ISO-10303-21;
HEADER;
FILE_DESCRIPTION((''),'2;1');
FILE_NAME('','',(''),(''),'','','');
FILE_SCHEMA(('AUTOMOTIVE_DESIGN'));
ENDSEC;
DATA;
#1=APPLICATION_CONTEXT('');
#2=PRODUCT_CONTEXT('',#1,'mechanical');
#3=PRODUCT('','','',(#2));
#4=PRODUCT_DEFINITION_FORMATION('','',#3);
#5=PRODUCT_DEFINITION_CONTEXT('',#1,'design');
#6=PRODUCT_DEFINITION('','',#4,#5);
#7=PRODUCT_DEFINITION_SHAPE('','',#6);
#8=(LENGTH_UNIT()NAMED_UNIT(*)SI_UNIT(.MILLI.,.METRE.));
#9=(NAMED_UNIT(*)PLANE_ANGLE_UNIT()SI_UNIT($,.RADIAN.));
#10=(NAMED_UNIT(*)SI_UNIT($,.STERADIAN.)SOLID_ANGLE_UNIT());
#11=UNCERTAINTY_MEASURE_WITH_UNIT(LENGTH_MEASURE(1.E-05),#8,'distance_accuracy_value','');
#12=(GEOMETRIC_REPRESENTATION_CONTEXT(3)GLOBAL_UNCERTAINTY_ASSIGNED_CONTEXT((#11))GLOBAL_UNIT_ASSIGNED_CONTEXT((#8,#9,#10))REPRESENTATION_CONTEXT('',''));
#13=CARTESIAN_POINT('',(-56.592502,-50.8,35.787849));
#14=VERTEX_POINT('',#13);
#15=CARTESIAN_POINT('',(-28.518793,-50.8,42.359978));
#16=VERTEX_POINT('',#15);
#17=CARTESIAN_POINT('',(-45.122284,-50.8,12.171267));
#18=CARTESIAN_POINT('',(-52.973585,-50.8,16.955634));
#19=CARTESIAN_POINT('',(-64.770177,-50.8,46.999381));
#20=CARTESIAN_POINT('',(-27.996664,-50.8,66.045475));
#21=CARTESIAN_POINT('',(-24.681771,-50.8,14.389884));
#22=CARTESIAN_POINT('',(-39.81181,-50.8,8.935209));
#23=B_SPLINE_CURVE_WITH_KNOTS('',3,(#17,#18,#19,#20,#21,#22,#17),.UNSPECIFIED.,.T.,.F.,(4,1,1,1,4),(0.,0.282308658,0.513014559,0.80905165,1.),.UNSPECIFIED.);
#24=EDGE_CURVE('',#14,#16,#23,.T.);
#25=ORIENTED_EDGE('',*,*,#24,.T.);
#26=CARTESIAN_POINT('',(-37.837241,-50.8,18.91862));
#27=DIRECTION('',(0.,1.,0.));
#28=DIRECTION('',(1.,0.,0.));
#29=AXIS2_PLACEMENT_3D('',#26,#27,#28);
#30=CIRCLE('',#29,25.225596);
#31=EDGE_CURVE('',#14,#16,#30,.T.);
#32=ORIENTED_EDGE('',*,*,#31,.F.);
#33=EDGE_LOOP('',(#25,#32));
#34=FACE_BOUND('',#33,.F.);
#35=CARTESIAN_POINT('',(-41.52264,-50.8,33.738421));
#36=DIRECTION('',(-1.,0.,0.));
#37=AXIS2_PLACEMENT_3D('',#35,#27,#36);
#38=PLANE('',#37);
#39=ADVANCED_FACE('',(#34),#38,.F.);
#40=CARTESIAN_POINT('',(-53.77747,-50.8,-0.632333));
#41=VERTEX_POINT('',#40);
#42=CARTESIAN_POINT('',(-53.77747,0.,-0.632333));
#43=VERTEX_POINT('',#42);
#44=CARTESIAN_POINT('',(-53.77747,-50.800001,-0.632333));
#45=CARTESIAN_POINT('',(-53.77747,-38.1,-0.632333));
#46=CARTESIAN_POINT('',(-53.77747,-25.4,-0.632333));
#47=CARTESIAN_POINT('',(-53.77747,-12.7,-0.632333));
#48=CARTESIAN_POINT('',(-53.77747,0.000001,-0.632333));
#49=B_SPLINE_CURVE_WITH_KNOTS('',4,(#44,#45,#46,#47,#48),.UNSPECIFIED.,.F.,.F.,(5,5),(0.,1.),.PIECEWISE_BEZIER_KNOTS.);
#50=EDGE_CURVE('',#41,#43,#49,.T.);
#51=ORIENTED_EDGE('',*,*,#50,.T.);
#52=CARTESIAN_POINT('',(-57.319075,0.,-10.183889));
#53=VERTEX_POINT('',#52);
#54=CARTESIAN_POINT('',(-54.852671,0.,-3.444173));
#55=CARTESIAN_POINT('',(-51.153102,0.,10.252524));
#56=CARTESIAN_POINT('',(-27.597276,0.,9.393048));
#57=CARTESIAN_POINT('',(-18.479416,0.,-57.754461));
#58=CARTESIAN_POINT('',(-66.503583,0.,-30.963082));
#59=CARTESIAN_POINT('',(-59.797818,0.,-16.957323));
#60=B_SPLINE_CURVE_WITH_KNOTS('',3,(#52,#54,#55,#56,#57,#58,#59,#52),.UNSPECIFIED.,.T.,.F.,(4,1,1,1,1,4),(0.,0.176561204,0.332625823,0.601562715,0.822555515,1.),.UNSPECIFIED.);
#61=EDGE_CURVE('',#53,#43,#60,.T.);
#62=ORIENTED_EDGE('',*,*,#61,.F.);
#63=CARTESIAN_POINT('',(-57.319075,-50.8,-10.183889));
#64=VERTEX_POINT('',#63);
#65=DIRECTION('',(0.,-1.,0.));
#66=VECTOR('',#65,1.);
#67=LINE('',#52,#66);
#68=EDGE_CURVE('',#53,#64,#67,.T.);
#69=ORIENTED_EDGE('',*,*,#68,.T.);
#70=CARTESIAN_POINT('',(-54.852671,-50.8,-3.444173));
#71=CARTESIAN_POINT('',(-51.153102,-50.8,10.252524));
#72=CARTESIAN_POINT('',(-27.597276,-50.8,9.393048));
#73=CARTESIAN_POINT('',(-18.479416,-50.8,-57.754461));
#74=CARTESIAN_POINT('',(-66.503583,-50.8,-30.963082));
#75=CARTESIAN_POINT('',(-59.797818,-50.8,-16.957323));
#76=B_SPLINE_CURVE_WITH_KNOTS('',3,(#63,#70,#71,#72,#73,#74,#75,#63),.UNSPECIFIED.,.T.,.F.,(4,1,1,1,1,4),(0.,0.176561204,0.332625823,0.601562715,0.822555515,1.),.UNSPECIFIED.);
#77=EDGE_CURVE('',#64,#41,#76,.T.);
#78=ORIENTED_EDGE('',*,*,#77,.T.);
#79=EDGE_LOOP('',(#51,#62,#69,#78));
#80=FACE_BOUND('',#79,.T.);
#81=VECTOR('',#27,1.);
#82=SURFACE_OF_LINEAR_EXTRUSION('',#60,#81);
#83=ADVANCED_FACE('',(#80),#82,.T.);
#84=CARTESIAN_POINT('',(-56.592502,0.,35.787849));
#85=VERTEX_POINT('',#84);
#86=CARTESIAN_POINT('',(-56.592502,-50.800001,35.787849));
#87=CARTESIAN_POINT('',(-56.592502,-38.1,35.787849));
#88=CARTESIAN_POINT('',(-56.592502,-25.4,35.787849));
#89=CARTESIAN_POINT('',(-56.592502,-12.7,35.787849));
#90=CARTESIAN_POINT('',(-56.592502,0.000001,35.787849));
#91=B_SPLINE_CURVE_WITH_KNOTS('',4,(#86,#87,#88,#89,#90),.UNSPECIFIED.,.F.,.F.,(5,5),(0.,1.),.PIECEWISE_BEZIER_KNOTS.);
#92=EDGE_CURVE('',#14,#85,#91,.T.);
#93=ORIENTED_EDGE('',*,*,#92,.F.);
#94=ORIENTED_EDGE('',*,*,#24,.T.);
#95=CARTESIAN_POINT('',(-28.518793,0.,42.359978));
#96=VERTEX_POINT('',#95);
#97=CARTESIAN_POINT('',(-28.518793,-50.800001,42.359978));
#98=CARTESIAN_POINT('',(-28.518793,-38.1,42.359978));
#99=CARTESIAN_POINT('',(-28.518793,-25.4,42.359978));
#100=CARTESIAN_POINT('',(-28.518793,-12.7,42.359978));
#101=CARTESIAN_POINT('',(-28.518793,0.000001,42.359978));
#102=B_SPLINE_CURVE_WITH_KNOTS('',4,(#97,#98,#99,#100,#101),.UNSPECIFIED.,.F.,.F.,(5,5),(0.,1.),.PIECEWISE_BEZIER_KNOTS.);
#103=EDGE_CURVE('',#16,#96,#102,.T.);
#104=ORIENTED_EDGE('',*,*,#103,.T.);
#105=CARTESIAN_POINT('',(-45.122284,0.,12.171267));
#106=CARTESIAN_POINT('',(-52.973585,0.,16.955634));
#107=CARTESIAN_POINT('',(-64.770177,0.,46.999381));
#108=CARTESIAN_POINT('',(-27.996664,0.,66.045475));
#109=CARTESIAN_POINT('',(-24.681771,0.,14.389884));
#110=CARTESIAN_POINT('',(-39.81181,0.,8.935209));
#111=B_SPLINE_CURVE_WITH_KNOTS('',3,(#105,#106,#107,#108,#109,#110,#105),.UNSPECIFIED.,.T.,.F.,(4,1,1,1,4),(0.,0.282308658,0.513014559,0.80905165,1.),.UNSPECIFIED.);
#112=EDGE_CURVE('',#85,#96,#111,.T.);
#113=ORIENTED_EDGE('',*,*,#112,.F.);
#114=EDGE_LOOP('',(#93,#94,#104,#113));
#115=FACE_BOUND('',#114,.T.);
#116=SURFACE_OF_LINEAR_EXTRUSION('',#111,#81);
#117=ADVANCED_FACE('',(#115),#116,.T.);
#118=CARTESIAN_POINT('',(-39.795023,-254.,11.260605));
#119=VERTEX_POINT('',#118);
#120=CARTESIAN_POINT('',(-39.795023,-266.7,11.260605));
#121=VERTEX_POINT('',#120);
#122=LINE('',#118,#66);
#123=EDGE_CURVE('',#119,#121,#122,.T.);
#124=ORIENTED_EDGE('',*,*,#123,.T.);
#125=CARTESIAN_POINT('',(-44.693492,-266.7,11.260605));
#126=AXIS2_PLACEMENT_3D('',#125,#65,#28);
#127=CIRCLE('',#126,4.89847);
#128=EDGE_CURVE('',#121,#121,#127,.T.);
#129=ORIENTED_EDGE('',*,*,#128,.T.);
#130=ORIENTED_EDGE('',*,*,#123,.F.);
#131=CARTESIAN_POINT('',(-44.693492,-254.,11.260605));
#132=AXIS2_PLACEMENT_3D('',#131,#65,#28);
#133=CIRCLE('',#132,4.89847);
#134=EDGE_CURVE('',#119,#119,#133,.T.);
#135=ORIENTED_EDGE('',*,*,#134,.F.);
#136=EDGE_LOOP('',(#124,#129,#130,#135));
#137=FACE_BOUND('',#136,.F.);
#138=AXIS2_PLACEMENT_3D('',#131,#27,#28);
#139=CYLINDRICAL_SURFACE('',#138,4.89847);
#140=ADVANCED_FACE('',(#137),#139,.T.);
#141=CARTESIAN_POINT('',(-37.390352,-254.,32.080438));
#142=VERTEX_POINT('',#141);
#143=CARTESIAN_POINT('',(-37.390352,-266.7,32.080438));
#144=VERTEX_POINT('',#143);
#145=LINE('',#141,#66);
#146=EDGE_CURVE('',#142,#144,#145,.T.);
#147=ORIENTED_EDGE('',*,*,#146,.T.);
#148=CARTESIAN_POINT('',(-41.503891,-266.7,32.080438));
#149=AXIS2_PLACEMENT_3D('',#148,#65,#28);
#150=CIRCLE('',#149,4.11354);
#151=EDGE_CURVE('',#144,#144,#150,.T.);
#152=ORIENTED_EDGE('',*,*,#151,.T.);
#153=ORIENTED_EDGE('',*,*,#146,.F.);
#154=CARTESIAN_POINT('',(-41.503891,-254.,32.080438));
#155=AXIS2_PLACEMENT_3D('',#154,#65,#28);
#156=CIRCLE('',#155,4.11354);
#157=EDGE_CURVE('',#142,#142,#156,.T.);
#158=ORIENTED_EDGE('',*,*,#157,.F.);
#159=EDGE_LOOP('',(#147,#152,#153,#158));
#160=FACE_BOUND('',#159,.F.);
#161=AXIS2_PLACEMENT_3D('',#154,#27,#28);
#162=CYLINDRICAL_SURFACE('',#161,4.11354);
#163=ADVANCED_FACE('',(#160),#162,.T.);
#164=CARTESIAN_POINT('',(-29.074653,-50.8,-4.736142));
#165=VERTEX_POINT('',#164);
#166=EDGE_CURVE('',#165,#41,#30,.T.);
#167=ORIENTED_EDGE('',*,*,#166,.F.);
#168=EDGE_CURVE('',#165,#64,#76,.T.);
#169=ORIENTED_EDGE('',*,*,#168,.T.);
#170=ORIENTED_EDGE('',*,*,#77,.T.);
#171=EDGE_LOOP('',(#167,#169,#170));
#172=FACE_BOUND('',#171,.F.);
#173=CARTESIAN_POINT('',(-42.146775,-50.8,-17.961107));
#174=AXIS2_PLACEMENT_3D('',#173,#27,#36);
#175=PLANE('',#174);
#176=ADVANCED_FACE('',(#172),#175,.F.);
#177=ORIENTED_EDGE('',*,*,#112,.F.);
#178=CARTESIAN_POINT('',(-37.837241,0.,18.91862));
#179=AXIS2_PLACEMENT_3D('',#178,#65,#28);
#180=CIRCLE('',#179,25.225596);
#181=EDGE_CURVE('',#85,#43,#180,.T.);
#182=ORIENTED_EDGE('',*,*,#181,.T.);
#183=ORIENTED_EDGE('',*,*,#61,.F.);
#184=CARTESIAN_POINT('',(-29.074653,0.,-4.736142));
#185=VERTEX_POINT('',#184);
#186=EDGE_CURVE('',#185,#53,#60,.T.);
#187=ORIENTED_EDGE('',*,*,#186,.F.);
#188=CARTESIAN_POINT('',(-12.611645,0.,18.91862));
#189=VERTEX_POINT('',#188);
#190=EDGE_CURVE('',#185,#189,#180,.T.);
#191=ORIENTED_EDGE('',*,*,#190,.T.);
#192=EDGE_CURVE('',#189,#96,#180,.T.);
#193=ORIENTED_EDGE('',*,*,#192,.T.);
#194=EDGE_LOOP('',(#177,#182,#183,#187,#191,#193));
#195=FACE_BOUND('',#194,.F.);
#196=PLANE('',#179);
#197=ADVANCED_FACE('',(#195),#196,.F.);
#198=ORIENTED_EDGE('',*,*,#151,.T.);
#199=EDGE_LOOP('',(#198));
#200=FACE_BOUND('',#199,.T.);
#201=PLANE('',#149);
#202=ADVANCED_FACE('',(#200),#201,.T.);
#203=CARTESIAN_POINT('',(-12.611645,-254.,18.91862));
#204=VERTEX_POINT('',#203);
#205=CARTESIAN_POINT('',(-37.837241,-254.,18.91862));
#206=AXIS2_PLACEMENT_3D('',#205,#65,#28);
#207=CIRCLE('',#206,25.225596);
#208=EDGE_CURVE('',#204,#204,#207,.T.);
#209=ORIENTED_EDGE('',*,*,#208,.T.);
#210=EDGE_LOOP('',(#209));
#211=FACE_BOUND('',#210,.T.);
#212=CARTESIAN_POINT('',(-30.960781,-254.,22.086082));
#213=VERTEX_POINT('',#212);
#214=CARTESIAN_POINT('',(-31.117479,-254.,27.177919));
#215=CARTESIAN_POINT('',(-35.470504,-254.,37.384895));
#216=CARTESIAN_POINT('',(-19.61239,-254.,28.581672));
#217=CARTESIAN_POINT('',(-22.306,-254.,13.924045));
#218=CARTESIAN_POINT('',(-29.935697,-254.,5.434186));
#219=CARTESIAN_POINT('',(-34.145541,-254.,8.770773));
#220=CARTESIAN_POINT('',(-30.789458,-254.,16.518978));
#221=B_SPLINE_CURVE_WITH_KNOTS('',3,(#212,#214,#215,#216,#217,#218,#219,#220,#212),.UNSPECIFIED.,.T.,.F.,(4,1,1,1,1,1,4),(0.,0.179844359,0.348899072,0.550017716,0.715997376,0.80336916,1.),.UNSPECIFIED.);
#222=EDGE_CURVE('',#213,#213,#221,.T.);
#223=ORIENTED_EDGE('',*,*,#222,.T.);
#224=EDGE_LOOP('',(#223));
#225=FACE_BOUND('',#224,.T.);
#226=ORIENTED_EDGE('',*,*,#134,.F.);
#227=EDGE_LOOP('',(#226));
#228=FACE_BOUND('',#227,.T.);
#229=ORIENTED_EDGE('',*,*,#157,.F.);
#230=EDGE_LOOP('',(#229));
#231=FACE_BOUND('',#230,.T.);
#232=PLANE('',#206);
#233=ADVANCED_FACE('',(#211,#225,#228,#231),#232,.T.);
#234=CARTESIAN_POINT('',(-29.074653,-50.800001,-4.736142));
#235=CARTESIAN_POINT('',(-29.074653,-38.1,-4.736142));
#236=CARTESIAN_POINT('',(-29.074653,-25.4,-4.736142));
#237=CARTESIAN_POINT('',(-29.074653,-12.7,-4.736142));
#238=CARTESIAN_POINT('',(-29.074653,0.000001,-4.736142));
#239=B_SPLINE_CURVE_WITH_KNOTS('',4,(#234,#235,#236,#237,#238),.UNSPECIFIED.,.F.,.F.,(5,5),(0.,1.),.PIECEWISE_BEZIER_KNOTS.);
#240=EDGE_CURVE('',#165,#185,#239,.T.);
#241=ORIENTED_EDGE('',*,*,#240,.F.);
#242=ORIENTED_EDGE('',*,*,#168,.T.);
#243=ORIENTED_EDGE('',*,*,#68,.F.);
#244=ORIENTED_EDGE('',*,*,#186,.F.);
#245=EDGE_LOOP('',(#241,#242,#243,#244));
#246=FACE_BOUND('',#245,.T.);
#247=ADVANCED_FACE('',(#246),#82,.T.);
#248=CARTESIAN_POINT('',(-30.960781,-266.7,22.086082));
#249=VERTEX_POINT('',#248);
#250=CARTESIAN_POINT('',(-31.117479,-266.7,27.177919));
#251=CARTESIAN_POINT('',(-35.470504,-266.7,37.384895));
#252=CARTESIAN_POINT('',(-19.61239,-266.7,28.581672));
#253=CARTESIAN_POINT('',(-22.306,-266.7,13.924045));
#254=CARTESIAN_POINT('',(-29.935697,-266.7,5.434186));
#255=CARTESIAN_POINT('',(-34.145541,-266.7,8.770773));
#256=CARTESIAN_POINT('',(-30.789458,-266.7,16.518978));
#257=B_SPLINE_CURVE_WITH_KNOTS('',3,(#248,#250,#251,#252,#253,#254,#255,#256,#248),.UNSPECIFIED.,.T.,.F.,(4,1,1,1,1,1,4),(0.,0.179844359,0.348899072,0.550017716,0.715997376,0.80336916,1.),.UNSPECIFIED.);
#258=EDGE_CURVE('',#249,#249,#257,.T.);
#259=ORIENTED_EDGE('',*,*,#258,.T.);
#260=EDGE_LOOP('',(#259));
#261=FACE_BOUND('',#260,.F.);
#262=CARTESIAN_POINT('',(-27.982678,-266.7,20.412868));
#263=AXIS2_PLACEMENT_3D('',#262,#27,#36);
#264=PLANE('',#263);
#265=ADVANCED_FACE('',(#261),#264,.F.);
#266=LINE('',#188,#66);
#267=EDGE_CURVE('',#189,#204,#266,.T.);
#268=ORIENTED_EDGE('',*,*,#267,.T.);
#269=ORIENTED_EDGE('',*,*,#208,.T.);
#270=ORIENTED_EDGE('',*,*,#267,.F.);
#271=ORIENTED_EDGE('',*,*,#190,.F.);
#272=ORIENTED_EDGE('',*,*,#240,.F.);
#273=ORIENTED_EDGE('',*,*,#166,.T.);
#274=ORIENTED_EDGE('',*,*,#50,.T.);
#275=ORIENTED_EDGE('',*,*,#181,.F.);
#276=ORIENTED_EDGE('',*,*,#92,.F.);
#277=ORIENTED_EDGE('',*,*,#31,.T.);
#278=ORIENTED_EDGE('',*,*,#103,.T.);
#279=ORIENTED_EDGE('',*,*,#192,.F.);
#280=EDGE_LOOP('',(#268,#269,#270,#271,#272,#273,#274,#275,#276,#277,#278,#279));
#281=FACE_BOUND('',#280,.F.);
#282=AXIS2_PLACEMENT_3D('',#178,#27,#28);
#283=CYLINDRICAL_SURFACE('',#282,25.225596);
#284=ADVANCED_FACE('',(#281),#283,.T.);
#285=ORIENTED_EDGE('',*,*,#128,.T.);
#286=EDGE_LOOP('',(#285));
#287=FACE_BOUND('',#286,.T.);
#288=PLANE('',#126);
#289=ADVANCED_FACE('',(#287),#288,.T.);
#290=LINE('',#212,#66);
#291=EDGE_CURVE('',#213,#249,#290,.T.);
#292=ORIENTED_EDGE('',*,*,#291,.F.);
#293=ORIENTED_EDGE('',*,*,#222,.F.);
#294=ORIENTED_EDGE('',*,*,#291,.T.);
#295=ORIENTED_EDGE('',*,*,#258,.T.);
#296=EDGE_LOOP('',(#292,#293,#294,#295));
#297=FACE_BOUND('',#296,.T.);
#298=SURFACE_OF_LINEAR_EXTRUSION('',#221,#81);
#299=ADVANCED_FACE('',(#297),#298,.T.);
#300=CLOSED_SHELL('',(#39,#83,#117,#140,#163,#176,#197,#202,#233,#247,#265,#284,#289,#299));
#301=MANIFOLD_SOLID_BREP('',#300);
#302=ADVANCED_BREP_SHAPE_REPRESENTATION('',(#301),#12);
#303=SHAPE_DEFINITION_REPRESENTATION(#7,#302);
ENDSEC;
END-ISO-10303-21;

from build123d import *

# Parameters (mm, degrees)
F0_R     = 25.2255961417
F1_DEPTH = 254
F2_R     = 4.8984695606
F2_R_2   = 4.1135395879
F3_DEPTH = 12.7
F5_DEPTH = 50.8


with BuildPart() as f1:
    # F0 (on Front) → F1 (new body)
    with BuildSketch(Plane.XZ):
        with Locations((-37.837240845, 18.9186204225)):
            Circle(F0_R)
    extrude(amount=F1_DEPTH)

    # F2 (on face) → F3 (join)
    with BuildSketch(Plane.XZ.offset(254)):
        with Locations((-44.693492353, 11.2606054172)):
            Circle(F2_R)
        with Locations((-41.5038913488, 32.080437988)):
            Circle(F2_R_2)
        with BuildLine():
            add(Edge.make_bspline(
                [(-30.9607814997, 22.0860820264), (-31.1174790444, 27.1779190493), (-35.4705043818, 37.384895038), (-19.6123896035, 28.581671559), (-22.3060000408, 13.9240447836), (-29.9356971904, 5.434185596), (-34.1455406145, 8.7707728586), (-30.7894579728, 16.5189783491), (-30.9607814997, 22.0860820264)],
                knots=[0, 0, 0, 0, 0.179844359, 0.3488990719, 0.5500177158, 0.7159973757, 0.8033691597, 1, 1, 1, 1], degree=3))
        make_face()
    extrude(amount=F3_DEPTH)

    # F4 (on Front) → F5 (join)
    with BuildSketch(Plane.XZ):
        with BuildLine():
            add(Edge.make_bspline(
                [(-45.1222844422, 12.1712666005), (-52.9735846355, 16.9556340719), (-64.7701771693, 46.9993806394), (-27.9966636305, 66.0454754857), (-24.6817713236, 14.3898842389), (-39.8118103434, 8.9352090163), (-45.1222844422, 12.1712666005)],
                knots=[0, 0, 0, 0, 0.2823086577, 0.513014559, 0.8090516503, 1, 1, 1, 1], degree=3))
        make_face()
        with BuildLine():
            add(Edge.make_bspline(
                [(-57.3190748692, -10.1838894188), (-54.8526705143, -3.4441726715), (-51.1531019459, 10.2525243726), (-27.5972764056, 9.3930479254), (-18.4794160333, -57.7544605135), (-66.5035831823, -30.9630818541), (-59.7978178724, -16.957322858), (-57.3190748692, -10.1838894188)],
                knots=[0, 0, 0, 0, 0.1765612044, 0.3326258233, 0.6015627152, 0.8225555152, 1, 1, 1, 1], degree=3))
        make_face()
    extrude(amount=F5_DEPTH)


solid = f1.part
